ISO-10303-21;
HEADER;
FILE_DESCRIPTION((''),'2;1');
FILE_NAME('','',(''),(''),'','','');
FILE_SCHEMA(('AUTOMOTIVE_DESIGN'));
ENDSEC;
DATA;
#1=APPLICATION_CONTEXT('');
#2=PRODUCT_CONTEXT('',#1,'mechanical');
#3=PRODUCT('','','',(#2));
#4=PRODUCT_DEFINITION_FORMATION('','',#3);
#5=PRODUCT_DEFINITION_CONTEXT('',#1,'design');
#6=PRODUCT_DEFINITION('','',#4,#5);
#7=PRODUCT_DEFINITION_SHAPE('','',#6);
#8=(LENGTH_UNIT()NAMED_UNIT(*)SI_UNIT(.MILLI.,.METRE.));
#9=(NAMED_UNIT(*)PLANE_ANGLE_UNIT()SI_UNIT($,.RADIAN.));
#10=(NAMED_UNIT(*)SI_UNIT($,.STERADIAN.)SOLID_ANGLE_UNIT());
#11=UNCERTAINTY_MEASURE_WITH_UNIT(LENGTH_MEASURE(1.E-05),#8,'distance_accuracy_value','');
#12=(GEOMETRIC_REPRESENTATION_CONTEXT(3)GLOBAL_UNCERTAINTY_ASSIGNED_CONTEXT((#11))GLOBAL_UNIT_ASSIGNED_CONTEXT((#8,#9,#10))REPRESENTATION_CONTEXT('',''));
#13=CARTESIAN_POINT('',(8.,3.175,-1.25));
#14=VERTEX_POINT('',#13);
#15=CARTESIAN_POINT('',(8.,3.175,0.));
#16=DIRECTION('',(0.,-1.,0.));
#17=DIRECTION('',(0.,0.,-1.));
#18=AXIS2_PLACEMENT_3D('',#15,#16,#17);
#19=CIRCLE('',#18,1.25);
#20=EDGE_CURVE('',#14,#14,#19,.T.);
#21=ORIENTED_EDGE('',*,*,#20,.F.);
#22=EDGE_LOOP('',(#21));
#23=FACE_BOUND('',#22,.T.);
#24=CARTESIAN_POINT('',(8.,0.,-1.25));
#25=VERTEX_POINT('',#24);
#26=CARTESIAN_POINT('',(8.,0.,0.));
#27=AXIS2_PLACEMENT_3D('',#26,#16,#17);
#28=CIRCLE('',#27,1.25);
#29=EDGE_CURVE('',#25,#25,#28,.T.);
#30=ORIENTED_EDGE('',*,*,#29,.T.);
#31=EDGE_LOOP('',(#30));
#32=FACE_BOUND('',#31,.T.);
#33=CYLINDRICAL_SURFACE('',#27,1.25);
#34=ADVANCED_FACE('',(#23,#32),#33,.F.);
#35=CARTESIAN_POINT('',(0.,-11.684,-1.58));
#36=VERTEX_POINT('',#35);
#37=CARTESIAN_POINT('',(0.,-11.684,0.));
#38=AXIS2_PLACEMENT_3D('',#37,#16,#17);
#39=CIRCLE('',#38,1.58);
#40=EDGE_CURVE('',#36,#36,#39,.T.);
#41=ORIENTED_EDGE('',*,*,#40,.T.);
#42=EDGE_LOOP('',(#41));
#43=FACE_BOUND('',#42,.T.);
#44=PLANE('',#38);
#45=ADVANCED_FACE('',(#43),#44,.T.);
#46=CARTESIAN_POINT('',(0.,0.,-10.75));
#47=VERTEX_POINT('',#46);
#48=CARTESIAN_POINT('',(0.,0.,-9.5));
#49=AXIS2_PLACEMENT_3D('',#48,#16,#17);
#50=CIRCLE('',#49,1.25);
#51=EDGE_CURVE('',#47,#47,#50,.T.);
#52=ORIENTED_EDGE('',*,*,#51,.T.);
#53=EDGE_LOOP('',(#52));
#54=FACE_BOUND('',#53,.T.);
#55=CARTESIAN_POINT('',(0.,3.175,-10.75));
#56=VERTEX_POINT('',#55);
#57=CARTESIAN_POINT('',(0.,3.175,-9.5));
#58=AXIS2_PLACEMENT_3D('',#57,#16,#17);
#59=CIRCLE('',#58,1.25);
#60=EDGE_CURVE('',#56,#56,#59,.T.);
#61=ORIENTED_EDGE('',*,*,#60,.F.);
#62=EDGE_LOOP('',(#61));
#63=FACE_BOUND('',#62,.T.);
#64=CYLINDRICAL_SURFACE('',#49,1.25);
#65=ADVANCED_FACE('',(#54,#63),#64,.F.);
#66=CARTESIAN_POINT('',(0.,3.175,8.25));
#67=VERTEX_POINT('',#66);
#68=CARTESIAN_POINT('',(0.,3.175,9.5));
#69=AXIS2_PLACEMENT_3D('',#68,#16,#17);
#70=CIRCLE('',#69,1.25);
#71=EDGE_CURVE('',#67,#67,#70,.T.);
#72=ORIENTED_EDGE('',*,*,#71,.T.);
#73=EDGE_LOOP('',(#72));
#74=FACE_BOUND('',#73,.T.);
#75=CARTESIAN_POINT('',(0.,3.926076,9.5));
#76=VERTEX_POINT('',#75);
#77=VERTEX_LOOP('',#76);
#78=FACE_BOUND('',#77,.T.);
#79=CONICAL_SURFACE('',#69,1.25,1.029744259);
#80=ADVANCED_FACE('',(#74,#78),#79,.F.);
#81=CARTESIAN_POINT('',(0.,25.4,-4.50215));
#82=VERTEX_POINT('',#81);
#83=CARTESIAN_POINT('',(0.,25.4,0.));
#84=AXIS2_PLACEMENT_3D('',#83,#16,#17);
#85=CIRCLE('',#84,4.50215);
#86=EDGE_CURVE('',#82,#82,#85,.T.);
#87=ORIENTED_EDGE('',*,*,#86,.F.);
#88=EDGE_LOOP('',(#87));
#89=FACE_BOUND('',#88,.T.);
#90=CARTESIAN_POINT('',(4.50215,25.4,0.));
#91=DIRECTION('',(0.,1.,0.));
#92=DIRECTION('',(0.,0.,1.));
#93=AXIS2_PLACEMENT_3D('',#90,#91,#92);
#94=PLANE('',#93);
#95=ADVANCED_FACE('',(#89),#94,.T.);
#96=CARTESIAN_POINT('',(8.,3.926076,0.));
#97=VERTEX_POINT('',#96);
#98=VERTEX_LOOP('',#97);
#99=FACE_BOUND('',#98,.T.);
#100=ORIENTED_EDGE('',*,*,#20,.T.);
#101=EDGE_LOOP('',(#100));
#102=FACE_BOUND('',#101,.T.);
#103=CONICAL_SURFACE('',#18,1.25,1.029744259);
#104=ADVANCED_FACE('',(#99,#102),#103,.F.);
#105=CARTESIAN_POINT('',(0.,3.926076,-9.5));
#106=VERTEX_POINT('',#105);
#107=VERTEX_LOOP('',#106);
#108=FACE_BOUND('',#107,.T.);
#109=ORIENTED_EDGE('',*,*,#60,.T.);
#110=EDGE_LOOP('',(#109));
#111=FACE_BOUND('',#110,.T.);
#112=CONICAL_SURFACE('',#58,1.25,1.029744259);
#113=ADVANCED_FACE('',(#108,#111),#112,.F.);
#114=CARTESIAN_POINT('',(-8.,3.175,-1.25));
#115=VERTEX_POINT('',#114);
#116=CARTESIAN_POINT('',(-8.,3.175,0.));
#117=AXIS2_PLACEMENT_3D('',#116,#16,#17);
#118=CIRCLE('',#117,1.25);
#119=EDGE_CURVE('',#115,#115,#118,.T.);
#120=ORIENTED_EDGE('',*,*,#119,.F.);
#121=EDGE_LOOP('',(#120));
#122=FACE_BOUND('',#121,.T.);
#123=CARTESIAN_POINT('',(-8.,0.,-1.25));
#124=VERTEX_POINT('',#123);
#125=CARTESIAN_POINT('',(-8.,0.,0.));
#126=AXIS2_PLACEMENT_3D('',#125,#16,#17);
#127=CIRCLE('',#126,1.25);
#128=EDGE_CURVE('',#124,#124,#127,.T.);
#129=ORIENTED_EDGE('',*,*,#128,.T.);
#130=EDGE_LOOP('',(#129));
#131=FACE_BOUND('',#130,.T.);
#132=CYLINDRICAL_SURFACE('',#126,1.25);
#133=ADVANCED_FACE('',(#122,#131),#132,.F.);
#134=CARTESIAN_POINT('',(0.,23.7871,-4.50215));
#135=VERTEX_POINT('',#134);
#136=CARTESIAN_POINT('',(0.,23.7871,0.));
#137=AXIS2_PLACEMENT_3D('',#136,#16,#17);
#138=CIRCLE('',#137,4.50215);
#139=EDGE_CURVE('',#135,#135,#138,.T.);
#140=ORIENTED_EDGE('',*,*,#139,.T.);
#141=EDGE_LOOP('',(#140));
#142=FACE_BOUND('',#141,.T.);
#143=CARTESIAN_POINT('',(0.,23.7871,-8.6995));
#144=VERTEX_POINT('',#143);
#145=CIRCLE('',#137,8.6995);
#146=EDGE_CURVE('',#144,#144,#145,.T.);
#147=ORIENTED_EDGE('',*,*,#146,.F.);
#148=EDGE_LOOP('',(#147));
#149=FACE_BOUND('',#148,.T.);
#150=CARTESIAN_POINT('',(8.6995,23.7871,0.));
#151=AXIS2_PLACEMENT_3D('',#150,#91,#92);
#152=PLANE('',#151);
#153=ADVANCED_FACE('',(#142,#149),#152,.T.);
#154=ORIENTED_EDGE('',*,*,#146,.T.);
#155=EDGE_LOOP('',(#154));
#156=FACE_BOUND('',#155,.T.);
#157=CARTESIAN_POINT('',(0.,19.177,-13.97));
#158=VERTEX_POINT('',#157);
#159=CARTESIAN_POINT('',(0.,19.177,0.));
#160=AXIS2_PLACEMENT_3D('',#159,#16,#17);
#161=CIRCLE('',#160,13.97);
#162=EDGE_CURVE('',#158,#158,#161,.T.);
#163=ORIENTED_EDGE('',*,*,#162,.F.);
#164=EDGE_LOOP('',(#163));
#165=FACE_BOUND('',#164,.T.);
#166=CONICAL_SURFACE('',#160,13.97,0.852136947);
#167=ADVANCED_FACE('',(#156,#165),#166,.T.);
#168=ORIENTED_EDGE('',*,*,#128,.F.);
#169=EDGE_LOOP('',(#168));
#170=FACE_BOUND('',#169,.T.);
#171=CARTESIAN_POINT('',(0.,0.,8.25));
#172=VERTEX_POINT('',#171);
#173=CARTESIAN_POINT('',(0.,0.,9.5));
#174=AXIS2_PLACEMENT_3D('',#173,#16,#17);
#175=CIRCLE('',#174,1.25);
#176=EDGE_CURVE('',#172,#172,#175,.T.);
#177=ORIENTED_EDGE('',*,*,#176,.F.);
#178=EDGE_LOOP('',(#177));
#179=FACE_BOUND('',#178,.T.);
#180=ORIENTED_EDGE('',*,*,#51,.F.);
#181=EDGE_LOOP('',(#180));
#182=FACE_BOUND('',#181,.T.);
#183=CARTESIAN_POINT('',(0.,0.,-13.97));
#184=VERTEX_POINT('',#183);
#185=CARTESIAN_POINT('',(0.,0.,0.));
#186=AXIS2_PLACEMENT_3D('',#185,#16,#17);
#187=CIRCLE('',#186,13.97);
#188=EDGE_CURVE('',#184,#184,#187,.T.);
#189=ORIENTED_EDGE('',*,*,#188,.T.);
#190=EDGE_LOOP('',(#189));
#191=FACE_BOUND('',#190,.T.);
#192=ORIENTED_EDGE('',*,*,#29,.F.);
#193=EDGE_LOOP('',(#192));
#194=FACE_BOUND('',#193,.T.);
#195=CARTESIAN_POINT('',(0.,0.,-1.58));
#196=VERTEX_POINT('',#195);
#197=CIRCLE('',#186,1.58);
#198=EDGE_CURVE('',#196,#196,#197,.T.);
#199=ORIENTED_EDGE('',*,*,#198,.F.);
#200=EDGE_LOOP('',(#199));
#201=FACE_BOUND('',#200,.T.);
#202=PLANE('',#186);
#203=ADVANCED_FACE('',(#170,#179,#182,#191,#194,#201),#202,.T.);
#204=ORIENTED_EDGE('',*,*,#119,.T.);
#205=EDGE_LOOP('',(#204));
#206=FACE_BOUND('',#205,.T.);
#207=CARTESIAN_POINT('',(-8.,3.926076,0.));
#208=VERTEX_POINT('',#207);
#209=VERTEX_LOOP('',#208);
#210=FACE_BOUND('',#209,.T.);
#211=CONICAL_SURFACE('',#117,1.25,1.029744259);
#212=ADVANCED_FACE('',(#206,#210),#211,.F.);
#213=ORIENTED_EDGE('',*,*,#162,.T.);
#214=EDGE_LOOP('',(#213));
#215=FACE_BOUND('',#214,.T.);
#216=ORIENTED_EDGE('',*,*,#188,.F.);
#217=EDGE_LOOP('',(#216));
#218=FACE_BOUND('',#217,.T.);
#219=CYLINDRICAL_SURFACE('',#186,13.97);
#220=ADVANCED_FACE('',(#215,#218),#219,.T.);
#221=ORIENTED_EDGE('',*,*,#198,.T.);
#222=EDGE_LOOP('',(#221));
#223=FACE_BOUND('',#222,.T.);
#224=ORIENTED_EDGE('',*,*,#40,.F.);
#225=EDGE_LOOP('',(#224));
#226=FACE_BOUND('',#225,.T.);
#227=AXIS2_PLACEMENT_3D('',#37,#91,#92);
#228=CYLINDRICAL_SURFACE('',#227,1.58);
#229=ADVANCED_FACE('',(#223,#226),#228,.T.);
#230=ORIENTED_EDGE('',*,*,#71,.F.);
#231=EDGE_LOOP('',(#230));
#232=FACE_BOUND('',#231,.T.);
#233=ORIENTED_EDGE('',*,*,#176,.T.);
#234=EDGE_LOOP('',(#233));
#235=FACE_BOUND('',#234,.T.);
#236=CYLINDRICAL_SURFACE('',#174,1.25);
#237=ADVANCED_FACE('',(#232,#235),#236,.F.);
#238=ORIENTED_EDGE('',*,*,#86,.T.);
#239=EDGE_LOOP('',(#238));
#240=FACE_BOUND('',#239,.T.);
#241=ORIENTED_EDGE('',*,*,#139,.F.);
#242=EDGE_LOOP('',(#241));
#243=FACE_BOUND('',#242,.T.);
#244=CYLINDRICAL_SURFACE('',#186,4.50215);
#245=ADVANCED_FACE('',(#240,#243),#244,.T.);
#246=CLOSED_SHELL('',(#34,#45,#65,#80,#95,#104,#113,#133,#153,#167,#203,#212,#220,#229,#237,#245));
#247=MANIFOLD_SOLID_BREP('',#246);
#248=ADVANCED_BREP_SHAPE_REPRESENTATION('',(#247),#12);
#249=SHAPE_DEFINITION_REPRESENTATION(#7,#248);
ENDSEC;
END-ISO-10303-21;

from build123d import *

# Parameters (mm, degrees)
SKETCH2_R                           = 1.58
BOSS_EXTRUDE1_DEPTH                 = 11.684
M3X0_5_BOTTOMING_TAPPED_HOLE1_D     = 2.5
M3X0_5_BOTTOMING_TAPPED_HOLE1_DEPTH = 3.175
M3X0_5_BOTTOMING_TAPPED_HOLE1_TIP   = 0.751075774


with BuildPart() as part:
    # Sketch1 → Revolve1 (revolve)
    with BuildSketch(Plane.XY, mode=Mode.PRIVATE) as revolve1_sk:
        Polygon((0, 0), (13.97, 0), (13.97, 19.177), (8.6995, 23.7871), (4.50215, 23.7871), (4.50215, 25.4), (0, 25.4), align=None)
    revolve(revolve1_sk.sketch.rotate(Axis((0, 0, 0), (0, 1, 0)), 90), axis=Axis((0, 0, 0), (0, 1, 0)))

    # Sketch2 → Boss-Extrude1 (add)
    with BuildSketch(Plane.XZ):
        with Locations(Location((0, 0, 0), (0, 0, 270))):
            Circle(SKETCH2_R)
    extrude(amount=BOSS_EXTRUDE1_DEPTH)

    # M3x0.5 Bottoming Tapped Hole1
    with Locations(Plane(origin=(0, 0, 0), x_dir=(-1, 0, 0), z_dir=(0, -1, 0))):
        with Locations((-8, 0), (8, 0), (0, -9.5), (0, 9.5)):
            Hole(M3X0_5_BOTTOMING_TAPPED_HOLE1_D / 2, depth=M3X0_5_BOTTOMING_TAPPED_HOLE1_DEPTH)
            with Locations((0, 0, -(M3X0_5_BOTTOMING_TAPPED_HOLE1_DEPTH + M3X0_5_BOTTOMING_TAPPED_HOLE1_TIP / 2))):  # 118° drill point
                Cone(0, M3X0_5_BOTTOMING_TAPPED_HOLE1_D / 2, M3X0_5_BOTTOMING_TAPPED_HOLE1_TIP, mode=Mode.SUBTRACT)


solid = part.part
